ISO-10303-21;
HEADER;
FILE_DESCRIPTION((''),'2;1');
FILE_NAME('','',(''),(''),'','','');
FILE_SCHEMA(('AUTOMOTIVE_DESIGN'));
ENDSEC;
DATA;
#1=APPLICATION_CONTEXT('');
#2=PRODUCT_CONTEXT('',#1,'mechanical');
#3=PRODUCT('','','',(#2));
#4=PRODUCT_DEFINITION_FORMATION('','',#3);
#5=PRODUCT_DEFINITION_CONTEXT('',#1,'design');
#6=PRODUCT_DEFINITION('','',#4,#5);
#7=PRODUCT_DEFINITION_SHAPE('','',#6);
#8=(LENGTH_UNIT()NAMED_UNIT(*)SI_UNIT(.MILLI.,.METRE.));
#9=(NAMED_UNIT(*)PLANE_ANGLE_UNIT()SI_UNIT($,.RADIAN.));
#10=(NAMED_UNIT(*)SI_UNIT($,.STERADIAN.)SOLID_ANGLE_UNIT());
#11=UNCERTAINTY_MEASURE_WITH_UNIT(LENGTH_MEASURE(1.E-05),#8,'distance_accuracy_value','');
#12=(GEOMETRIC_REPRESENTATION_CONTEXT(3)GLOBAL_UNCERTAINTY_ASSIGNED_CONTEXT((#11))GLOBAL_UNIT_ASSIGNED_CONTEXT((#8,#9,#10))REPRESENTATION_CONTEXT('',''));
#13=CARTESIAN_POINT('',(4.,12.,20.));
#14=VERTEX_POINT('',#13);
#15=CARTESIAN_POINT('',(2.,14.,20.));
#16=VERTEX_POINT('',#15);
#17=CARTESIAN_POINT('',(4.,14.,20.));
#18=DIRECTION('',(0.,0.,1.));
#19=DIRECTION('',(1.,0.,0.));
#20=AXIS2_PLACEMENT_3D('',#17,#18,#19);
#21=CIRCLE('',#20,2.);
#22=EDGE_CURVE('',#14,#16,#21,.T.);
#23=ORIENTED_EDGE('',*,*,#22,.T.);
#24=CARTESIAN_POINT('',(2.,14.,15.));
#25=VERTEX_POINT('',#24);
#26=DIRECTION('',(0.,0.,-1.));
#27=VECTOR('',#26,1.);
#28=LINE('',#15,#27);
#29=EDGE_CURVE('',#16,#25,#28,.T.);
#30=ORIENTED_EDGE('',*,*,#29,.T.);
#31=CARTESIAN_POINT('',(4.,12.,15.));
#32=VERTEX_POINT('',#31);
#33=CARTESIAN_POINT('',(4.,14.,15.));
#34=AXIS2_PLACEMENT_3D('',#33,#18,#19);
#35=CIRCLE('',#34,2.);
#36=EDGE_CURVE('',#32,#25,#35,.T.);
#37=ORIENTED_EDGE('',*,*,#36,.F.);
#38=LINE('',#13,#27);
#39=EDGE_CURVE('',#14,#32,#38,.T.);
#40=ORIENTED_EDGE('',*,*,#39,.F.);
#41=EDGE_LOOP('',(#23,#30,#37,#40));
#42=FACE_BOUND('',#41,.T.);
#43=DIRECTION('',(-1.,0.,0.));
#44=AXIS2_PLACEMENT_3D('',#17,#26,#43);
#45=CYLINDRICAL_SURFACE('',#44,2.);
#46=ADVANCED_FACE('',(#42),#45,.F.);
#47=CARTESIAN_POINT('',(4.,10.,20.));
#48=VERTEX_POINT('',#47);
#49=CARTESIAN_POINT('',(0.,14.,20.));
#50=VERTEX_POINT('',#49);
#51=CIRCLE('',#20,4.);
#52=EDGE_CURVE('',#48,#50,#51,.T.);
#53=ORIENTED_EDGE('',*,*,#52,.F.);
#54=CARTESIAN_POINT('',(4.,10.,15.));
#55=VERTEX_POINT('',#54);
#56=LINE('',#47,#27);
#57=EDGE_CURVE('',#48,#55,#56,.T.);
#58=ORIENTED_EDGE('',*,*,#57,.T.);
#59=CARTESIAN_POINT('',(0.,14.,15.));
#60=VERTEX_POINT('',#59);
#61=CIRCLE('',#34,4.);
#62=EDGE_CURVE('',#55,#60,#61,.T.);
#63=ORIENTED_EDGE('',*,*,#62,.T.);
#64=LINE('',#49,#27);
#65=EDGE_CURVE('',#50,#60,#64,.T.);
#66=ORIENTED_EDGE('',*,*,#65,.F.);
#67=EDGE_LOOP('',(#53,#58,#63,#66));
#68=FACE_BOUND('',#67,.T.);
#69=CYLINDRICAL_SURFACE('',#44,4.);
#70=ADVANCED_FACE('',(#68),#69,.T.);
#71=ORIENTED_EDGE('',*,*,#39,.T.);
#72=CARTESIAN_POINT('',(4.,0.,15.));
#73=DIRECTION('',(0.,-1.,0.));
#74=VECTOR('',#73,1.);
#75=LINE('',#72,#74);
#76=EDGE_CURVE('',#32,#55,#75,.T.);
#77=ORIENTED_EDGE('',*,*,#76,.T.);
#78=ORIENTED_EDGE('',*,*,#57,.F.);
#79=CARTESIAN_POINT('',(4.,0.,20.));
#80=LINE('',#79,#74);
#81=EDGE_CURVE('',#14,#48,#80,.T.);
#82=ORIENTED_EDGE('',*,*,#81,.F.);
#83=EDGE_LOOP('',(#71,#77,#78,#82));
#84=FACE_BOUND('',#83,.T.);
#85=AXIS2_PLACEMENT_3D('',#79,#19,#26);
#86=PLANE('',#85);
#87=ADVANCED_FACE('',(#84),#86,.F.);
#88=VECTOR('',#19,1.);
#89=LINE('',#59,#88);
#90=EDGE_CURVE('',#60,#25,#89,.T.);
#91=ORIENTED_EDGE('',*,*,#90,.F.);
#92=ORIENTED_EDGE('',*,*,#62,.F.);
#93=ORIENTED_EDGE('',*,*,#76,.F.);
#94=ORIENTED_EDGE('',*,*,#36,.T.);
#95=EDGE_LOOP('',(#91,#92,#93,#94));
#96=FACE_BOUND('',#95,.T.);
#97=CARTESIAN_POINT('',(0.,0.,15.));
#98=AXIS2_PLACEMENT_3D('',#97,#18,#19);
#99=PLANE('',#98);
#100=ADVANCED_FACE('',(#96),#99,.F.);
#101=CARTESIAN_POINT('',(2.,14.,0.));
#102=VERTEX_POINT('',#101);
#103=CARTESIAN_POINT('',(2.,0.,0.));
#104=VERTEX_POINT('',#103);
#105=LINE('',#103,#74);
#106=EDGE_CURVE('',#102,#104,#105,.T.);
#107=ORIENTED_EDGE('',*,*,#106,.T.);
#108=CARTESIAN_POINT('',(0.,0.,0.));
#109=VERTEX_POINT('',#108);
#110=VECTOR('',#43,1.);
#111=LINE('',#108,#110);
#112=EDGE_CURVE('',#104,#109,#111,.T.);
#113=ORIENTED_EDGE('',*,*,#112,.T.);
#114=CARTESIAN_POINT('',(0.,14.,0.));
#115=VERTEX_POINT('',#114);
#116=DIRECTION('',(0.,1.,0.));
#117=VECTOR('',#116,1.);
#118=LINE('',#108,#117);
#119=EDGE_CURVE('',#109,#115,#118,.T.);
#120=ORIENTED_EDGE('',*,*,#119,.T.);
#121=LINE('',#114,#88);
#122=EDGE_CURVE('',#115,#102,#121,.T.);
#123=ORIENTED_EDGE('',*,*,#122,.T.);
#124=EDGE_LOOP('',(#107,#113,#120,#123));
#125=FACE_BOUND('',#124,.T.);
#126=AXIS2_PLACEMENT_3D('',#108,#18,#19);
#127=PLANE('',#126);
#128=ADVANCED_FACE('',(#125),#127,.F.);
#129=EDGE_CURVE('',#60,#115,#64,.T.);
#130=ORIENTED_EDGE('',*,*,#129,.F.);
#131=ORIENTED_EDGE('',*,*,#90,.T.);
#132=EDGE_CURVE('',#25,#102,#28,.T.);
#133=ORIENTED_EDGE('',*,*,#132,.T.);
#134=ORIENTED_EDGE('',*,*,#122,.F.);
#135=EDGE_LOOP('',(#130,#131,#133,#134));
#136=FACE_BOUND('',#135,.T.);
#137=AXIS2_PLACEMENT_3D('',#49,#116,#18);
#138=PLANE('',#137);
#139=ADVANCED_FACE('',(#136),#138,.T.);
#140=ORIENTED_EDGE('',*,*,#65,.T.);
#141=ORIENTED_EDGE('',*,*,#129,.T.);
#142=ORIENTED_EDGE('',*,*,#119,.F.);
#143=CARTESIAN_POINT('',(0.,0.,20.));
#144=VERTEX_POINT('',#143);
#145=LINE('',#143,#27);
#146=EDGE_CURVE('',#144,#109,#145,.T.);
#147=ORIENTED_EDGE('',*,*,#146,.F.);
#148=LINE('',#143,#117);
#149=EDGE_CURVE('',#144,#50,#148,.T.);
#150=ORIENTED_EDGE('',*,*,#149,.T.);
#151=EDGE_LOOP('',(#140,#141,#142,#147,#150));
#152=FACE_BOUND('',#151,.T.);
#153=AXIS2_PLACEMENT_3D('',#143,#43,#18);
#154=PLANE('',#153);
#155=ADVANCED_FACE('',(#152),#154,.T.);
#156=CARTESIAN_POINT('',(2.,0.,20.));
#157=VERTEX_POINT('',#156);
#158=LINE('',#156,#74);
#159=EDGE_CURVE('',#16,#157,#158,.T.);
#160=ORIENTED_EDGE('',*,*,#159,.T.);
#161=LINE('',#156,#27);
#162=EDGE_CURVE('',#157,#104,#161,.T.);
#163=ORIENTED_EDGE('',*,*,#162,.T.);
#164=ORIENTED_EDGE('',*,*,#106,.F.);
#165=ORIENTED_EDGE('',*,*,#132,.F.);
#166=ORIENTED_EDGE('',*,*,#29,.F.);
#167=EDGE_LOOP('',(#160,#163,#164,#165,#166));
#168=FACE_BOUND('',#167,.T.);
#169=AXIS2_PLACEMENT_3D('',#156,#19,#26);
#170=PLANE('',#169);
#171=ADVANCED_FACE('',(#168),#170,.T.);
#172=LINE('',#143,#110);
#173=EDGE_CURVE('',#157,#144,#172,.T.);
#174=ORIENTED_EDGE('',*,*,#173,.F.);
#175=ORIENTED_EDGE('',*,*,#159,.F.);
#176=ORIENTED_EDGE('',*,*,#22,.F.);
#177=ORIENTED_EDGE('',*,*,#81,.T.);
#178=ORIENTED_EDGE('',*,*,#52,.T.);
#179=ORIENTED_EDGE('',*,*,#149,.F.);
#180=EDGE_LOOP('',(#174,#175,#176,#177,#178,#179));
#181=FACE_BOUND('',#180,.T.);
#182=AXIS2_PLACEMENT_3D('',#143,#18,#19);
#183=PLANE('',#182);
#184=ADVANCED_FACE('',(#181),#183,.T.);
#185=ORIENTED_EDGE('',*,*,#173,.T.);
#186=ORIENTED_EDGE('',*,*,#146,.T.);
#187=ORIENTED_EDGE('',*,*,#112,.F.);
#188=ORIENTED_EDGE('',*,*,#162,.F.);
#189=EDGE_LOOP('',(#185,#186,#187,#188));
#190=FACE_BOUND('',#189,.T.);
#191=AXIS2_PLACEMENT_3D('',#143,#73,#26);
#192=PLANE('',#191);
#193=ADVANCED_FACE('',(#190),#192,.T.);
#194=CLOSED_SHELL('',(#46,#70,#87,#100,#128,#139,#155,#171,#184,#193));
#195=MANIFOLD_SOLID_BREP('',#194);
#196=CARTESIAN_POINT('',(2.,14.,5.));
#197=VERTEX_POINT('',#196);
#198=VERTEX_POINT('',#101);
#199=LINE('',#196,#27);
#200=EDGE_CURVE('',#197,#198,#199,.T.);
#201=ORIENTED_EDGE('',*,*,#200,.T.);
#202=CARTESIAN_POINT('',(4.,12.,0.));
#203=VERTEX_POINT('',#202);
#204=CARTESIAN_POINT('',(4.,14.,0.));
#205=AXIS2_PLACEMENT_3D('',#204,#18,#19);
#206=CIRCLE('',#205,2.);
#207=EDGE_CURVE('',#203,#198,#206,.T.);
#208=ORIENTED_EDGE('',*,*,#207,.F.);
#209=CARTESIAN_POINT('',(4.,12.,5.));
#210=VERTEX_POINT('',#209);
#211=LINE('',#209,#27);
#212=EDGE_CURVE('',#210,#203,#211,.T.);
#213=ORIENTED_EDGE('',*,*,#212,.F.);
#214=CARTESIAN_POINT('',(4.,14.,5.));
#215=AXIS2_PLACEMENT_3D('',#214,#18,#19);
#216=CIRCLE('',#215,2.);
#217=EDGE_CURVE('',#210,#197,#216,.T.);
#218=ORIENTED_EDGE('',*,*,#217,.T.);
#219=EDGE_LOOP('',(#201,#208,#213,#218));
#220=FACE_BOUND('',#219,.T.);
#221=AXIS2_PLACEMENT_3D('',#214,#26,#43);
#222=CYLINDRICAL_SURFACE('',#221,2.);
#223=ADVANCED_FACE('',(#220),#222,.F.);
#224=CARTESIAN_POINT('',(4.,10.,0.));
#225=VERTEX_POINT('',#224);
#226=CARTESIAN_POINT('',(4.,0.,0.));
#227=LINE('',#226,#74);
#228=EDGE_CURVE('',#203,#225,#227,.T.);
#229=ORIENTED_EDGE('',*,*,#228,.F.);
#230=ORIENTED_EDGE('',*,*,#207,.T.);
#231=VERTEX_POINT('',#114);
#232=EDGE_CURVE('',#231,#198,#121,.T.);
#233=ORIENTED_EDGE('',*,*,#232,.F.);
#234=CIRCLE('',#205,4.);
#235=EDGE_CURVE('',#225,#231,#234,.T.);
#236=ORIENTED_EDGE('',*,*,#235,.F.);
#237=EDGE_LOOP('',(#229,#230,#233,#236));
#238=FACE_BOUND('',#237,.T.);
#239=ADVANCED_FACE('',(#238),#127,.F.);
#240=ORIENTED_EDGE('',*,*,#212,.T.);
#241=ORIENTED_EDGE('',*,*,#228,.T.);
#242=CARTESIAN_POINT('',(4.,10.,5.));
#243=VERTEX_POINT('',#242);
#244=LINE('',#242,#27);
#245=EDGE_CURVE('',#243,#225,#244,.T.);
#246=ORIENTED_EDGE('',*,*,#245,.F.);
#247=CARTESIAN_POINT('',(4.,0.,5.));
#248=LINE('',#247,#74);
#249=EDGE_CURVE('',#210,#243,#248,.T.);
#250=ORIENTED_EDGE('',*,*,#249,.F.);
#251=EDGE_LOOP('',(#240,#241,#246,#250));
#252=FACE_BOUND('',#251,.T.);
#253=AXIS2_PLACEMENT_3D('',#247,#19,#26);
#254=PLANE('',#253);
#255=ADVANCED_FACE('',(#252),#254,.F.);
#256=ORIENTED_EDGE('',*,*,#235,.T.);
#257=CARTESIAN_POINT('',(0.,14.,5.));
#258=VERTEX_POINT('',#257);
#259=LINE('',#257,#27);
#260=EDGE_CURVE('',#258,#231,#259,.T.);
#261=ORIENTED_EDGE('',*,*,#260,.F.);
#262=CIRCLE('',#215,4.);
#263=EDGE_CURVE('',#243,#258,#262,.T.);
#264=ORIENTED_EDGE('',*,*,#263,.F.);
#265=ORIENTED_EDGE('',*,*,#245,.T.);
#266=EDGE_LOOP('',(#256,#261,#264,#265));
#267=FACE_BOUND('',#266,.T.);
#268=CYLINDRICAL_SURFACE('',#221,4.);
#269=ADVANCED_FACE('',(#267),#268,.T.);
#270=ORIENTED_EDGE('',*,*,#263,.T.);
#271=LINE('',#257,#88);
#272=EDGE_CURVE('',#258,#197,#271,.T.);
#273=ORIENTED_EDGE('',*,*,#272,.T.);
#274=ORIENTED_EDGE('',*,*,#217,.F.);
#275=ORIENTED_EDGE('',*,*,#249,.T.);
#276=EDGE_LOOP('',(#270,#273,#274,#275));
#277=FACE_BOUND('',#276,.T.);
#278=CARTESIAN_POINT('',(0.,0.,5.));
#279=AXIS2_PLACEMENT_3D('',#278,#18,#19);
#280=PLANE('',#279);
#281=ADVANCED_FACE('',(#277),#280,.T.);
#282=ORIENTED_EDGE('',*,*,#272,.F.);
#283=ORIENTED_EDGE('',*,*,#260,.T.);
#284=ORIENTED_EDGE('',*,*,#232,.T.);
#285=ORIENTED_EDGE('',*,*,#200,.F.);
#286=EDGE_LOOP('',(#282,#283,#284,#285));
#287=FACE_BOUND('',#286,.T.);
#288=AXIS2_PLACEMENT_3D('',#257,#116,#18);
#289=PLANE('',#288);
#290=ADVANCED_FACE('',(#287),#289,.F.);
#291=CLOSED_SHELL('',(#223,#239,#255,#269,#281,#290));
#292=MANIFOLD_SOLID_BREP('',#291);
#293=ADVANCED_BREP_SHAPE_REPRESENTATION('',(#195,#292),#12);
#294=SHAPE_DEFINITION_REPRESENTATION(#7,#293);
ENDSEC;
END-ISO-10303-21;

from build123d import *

# Parameters (mm, degrees)
BOSS_EXTRUDE1_DEPTH = 20
BOSS_EXTRUDE2_DEPTH = 5
BOSS_EXTRUDE3_START = 15
BOSS_EXTRUDE3_DEPTH = 5


with BuildPart() as part:
    # Sketch2 → Boss-Extrude1 (new body)
    with BuildSketch(Plane.XY):
        Polygon((0, 14), (0, 0), (2, 0), (2, 10.535898385), (2, 14), align=None)
    extrude(amount=BOSS_EXTRUDE1_DEPTH)

    # Sketch2<6> → Boss-Extrude3 (add)
    with BuildSketch(Plane.XY.offset(BOSS_EXTRUDE3_START)):
        with BuildLine():
            ThreePointArc((4, 10), (6.828427125, 16.828427125), (0, 14))
            Line((0, 14), (2, 14))
            ThreePointArc((2, 14), (4, 16), (6, 14))
            ThreePointArc((6, 14), (5.414213562, 12.585786438), (4, 12))
            Line((4, 12), (4, 10))
        make_face()
    extrude(amount=BOSS_EXTRUDE3_DEPTH)


with BuildPart() as body_2:
    # Sketch2<5> → Boss-Extrude2 (new body)
    with BuildSketch(Plane.XY):
        with BuildLine():
            ThreePointArc((4, 10), (6.828427125, 16.828427125), (0, 14))
            Line((0, 14), (2, 14))
            ThreePointArc((2, 14), (4, 16), (6, 14))
            ThreePointArc((6, 14), (5.414213562, 12.585786438), (4, 12))
            Line((4, 12), (4, 10))
        make_face()
    extrude(amount=BOSS_EXTRUDE2_DEPTH)


solid = Compound([part.part, body_2.part])
